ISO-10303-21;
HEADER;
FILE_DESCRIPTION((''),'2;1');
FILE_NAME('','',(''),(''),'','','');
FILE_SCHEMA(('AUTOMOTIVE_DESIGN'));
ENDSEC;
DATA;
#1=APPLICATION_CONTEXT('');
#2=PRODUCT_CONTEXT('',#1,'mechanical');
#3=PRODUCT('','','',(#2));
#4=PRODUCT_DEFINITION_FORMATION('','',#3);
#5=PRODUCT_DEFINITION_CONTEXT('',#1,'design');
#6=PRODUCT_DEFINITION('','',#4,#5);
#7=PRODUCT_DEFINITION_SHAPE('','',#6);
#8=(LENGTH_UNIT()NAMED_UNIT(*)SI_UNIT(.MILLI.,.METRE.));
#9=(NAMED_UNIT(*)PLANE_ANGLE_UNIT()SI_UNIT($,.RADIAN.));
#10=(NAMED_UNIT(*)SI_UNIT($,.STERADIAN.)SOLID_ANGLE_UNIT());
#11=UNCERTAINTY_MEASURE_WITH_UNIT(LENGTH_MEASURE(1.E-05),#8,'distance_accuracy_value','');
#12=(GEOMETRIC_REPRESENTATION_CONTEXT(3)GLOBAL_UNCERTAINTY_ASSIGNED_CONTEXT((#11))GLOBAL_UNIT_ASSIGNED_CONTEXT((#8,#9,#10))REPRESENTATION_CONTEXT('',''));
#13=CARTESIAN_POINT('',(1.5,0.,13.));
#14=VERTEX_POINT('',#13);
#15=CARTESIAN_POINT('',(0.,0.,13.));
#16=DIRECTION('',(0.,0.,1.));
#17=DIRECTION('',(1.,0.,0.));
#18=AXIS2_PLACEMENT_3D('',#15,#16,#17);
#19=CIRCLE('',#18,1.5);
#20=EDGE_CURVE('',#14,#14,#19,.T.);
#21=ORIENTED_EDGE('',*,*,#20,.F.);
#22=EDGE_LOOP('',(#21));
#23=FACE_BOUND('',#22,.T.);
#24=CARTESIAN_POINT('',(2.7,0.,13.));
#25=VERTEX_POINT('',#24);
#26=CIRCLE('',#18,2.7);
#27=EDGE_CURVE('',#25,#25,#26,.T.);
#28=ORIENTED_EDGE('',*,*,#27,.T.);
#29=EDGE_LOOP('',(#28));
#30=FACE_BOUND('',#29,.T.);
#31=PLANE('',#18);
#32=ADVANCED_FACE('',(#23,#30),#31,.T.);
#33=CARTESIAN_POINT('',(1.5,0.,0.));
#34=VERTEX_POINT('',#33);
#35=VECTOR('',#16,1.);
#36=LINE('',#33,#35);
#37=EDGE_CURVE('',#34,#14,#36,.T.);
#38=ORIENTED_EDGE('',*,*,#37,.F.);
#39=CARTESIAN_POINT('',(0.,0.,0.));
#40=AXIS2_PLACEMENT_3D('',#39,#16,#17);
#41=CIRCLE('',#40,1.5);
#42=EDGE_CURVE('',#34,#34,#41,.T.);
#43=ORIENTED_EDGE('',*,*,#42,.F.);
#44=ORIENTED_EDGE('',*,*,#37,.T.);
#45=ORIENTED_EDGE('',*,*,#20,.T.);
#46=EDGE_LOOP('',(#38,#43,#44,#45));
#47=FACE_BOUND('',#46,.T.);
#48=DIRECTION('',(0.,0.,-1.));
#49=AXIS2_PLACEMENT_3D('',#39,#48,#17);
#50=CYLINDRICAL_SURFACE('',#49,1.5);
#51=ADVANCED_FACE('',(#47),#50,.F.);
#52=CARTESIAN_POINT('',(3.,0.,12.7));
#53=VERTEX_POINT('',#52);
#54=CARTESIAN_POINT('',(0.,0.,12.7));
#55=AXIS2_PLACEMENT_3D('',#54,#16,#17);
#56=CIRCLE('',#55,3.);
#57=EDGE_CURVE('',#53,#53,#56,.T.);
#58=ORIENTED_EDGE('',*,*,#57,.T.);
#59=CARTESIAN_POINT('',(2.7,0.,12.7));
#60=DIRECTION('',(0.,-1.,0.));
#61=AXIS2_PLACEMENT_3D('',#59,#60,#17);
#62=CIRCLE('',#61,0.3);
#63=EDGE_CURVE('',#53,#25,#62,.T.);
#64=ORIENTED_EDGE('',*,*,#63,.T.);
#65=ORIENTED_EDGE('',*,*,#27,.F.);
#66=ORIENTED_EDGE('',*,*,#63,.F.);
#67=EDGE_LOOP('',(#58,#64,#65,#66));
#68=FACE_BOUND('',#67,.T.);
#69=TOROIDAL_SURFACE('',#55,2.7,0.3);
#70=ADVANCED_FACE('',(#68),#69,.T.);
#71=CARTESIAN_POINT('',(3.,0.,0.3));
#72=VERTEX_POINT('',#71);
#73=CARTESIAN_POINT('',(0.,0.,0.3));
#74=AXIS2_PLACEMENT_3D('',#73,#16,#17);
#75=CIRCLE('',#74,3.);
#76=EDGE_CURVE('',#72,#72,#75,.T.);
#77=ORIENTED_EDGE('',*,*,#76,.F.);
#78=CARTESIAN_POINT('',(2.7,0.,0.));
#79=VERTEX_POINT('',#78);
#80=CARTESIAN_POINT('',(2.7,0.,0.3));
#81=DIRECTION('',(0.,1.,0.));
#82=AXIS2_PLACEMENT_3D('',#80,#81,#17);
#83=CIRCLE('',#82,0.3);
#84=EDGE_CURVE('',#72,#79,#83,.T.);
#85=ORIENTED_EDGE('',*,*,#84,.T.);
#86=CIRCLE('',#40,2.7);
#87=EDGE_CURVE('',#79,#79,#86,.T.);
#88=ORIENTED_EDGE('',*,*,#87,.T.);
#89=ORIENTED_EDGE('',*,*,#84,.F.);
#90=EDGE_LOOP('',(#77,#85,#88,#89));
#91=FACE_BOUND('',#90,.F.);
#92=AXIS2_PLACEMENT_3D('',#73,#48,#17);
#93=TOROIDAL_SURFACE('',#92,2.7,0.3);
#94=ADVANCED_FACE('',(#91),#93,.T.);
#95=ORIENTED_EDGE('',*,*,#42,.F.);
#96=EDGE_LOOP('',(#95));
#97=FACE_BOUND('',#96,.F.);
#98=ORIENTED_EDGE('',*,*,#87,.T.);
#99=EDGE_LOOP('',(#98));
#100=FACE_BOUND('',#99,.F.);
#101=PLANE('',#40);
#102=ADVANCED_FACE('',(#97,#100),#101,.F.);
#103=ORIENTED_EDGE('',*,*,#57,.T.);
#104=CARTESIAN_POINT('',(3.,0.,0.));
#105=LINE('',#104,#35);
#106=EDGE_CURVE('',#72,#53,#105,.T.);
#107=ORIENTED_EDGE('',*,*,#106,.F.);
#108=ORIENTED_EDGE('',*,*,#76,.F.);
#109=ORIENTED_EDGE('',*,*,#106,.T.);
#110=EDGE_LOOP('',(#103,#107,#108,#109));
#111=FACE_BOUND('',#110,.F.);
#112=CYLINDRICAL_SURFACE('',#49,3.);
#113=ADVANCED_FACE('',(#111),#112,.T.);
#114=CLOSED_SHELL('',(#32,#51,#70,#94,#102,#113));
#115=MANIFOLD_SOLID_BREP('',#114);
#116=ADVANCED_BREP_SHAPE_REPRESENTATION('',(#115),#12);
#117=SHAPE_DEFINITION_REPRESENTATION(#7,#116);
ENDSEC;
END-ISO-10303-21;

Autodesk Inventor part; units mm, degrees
ref_plane "YZ Plane" through (0, 0, 0) normal (1, 0, 0) x (0, 1, 0)
ref_plane "XZ Plane" through (0, 0, 0) normal (0, 1, 0) x (-1, 0, 0)
ref_plane "XY Plane" through (0, 0, 0) normal (0, 0, 1) x (1, 0, 0)
sketch "スケッチ1" plane through (0, 0, 0) normal (0, 0, 1) x (1, 0, 0)
  circle A0 centre (0, 0) radius 1.5
  circle A1 centre (0, 0) radius 3
  dimension "d0" = 3
  dimension "d1" = 6
extrude "押し出し1" add sketch "スケッチ1" along normal blind 13
fillet "フィレット1" radius 0.3 2 edges at (-3, 0, 13) (-3, 0, 0)
thread "ねじ1" size "M3x0.5" class "6H" standard "ANSI Metric M Profile" length 100
properties part number "スペーサーM3L13アルミ" material "アルミニウム 2014-T4"
